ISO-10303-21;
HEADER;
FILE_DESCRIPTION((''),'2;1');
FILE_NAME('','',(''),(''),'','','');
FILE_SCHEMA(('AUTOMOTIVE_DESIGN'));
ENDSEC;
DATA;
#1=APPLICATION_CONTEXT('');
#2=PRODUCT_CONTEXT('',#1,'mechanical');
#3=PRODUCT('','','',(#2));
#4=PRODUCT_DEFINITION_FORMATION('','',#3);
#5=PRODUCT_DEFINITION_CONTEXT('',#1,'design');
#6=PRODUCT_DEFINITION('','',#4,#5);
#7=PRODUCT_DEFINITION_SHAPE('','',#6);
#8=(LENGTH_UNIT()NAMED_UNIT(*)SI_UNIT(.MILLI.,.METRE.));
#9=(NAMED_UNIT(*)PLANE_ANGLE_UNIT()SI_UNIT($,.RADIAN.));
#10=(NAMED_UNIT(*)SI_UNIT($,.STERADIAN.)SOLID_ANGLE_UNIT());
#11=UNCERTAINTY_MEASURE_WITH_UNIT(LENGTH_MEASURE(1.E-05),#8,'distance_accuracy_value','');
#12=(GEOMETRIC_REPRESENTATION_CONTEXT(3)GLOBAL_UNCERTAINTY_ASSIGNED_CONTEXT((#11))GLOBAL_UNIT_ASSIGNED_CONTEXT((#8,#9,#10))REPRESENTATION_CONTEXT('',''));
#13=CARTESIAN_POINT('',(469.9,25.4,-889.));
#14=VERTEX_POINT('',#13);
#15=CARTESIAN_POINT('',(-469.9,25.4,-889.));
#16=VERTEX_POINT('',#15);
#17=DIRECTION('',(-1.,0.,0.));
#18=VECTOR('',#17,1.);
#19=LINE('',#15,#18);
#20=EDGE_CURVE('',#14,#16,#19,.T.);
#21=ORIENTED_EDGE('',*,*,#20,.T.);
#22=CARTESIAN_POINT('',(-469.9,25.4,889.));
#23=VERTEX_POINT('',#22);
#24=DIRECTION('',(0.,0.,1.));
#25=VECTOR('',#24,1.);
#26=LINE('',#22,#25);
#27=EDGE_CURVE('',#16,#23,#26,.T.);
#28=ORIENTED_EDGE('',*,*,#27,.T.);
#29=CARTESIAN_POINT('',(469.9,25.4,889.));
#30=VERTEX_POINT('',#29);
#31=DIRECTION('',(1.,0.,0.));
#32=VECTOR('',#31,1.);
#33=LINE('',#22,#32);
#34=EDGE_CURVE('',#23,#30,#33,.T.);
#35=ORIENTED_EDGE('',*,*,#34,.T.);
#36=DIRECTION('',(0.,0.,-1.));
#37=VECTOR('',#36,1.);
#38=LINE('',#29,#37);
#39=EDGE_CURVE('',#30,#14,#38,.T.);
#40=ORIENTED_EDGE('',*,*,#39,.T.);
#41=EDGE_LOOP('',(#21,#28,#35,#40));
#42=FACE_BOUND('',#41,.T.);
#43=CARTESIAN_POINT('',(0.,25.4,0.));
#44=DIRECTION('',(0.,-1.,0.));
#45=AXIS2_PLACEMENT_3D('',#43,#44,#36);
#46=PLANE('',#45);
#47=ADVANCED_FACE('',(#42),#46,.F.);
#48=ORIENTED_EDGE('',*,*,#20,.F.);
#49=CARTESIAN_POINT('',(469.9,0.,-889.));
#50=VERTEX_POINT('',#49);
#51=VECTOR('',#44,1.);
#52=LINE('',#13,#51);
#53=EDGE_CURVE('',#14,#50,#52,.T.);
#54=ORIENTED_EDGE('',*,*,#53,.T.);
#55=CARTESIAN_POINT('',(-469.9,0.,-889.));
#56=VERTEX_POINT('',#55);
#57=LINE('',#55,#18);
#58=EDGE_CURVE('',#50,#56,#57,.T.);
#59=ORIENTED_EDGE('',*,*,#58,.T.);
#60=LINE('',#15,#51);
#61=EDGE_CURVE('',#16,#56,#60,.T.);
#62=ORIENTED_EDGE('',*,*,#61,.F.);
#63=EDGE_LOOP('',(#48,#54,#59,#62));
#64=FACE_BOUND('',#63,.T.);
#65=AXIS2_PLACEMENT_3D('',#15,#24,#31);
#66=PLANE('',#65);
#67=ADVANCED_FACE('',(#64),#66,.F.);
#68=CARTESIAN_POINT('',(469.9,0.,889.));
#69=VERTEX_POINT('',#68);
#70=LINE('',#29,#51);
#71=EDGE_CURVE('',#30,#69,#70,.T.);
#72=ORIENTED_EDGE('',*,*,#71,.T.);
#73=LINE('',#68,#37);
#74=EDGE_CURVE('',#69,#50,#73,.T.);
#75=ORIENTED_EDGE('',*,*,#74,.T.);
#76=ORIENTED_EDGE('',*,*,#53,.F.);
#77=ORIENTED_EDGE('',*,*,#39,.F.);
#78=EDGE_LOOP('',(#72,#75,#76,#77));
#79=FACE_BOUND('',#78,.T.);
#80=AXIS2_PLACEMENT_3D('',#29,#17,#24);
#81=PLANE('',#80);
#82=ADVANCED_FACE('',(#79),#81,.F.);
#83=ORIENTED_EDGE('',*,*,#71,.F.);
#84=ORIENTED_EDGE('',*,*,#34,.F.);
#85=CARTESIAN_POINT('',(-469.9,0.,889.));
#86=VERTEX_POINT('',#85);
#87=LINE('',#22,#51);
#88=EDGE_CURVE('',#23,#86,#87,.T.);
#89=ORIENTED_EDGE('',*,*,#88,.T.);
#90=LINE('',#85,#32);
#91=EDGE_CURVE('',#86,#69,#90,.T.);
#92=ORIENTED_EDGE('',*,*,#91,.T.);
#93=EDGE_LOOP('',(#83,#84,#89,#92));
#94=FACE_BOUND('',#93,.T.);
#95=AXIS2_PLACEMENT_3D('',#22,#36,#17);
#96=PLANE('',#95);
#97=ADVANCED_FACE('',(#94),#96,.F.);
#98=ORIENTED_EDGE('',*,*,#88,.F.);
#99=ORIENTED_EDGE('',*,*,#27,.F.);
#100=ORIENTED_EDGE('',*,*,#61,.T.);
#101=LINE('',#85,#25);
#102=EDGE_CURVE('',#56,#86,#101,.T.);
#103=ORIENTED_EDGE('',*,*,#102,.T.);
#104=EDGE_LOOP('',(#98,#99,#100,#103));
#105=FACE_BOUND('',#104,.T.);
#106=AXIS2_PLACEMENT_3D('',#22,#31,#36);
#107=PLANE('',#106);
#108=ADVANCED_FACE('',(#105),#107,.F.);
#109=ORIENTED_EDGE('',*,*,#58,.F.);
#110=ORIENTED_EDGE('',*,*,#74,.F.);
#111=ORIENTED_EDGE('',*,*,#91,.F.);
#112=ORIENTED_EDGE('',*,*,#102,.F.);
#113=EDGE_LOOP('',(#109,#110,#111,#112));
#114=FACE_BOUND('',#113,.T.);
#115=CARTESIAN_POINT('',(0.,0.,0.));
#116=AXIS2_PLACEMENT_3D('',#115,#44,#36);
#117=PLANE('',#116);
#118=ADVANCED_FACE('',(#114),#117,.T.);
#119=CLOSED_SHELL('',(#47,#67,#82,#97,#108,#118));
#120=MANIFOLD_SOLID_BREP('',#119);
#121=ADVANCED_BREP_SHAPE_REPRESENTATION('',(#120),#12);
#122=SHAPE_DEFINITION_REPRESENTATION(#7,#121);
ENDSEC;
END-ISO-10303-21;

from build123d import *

# Parameters (mm, degrees)
SKETCH1_W           = 939.8
SKETCH1_H           = 1778
BOSS_EXTRUDE1_DEPTH = 25.4


with BuildPart() as part:
    # Sketch1 → Boss-Extrude1 (new body)
    with BuildSketch(Plane(origin=(0, 0, 0), x_dir=(1, 0, 0), z_dir=(0, 1, 0))):
        Rectangle(SKETCH1_W, SKETCH1_H)
    extrude(amount=BOSS_EXTRUDE1_DEPTH)


solid = part.part
